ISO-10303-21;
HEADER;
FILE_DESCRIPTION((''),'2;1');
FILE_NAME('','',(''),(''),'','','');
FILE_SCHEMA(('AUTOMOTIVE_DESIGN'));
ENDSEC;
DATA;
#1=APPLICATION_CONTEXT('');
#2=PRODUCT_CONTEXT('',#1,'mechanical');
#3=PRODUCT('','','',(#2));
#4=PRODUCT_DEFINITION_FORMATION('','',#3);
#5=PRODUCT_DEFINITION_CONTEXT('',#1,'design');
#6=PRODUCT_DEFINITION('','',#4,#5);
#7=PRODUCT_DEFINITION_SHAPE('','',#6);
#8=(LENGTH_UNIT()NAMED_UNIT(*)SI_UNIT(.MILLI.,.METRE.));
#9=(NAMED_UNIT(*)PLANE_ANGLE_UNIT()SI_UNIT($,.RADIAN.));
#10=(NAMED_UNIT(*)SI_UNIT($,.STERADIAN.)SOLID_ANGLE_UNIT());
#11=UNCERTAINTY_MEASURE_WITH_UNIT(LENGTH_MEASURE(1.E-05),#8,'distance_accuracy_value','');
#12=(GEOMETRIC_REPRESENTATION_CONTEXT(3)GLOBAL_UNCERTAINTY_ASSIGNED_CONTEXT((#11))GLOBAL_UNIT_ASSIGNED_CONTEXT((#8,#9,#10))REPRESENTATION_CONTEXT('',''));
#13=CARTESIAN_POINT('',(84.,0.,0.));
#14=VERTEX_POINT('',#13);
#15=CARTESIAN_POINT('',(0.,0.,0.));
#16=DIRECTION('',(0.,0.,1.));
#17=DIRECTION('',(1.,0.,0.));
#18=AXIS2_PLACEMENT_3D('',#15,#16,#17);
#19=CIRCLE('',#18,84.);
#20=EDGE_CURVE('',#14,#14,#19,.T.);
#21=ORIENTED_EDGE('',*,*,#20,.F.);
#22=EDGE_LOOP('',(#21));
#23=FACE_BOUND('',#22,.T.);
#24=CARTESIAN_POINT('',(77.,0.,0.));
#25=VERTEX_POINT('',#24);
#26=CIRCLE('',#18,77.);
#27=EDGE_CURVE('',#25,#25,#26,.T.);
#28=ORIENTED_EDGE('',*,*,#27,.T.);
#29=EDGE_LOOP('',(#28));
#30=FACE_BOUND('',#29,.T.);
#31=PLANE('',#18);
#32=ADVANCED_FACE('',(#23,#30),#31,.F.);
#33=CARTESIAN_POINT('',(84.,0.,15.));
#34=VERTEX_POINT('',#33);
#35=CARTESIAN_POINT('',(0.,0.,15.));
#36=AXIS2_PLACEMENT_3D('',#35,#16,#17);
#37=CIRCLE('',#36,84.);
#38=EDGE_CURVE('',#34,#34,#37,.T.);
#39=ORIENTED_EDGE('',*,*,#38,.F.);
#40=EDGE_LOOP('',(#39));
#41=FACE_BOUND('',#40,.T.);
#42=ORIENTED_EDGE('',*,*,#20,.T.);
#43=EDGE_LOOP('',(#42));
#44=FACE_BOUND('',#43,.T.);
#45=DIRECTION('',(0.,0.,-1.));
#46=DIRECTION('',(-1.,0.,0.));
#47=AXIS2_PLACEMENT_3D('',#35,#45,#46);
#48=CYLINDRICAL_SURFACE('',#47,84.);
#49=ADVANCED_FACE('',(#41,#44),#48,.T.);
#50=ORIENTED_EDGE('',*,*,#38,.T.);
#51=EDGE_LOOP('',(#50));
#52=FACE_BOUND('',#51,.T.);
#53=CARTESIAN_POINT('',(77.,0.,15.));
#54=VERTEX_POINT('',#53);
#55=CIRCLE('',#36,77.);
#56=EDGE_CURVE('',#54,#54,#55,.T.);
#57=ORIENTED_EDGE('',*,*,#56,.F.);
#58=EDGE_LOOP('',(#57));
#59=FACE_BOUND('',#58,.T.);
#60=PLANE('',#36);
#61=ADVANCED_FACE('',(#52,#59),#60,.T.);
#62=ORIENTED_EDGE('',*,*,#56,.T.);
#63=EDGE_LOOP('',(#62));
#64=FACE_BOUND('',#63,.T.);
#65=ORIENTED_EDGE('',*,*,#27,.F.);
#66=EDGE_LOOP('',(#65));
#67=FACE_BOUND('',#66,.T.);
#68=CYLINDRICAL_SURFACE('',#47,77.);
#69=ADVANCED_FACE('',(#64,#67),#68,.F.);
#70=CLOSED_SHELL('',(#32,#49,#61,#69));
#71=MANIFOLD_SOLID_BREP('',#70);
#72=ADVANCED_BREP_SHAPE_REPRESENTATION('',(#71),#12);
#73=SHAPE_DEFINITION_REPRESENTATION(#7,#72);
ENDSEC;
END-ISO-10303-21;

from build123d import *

# Parameters (mm, degrees)
SKETCH1_R           = 84
SKETCH1_R_2         = 77
BOSS_EXTRUDE1_DEPTH = 15


with BuildPart() as part:
    # Sketch1 → Boss-Extrude1 (new body)
    with BuildSketch(Plane.XY):
        Circle(SKETCH1_R)
        Circle(SKETCH1_R_2, mode=Mode.SUBTRACT)
    extrude(amount=BOSS_EXTRUDE1_DEPTH)


solid = part.part
